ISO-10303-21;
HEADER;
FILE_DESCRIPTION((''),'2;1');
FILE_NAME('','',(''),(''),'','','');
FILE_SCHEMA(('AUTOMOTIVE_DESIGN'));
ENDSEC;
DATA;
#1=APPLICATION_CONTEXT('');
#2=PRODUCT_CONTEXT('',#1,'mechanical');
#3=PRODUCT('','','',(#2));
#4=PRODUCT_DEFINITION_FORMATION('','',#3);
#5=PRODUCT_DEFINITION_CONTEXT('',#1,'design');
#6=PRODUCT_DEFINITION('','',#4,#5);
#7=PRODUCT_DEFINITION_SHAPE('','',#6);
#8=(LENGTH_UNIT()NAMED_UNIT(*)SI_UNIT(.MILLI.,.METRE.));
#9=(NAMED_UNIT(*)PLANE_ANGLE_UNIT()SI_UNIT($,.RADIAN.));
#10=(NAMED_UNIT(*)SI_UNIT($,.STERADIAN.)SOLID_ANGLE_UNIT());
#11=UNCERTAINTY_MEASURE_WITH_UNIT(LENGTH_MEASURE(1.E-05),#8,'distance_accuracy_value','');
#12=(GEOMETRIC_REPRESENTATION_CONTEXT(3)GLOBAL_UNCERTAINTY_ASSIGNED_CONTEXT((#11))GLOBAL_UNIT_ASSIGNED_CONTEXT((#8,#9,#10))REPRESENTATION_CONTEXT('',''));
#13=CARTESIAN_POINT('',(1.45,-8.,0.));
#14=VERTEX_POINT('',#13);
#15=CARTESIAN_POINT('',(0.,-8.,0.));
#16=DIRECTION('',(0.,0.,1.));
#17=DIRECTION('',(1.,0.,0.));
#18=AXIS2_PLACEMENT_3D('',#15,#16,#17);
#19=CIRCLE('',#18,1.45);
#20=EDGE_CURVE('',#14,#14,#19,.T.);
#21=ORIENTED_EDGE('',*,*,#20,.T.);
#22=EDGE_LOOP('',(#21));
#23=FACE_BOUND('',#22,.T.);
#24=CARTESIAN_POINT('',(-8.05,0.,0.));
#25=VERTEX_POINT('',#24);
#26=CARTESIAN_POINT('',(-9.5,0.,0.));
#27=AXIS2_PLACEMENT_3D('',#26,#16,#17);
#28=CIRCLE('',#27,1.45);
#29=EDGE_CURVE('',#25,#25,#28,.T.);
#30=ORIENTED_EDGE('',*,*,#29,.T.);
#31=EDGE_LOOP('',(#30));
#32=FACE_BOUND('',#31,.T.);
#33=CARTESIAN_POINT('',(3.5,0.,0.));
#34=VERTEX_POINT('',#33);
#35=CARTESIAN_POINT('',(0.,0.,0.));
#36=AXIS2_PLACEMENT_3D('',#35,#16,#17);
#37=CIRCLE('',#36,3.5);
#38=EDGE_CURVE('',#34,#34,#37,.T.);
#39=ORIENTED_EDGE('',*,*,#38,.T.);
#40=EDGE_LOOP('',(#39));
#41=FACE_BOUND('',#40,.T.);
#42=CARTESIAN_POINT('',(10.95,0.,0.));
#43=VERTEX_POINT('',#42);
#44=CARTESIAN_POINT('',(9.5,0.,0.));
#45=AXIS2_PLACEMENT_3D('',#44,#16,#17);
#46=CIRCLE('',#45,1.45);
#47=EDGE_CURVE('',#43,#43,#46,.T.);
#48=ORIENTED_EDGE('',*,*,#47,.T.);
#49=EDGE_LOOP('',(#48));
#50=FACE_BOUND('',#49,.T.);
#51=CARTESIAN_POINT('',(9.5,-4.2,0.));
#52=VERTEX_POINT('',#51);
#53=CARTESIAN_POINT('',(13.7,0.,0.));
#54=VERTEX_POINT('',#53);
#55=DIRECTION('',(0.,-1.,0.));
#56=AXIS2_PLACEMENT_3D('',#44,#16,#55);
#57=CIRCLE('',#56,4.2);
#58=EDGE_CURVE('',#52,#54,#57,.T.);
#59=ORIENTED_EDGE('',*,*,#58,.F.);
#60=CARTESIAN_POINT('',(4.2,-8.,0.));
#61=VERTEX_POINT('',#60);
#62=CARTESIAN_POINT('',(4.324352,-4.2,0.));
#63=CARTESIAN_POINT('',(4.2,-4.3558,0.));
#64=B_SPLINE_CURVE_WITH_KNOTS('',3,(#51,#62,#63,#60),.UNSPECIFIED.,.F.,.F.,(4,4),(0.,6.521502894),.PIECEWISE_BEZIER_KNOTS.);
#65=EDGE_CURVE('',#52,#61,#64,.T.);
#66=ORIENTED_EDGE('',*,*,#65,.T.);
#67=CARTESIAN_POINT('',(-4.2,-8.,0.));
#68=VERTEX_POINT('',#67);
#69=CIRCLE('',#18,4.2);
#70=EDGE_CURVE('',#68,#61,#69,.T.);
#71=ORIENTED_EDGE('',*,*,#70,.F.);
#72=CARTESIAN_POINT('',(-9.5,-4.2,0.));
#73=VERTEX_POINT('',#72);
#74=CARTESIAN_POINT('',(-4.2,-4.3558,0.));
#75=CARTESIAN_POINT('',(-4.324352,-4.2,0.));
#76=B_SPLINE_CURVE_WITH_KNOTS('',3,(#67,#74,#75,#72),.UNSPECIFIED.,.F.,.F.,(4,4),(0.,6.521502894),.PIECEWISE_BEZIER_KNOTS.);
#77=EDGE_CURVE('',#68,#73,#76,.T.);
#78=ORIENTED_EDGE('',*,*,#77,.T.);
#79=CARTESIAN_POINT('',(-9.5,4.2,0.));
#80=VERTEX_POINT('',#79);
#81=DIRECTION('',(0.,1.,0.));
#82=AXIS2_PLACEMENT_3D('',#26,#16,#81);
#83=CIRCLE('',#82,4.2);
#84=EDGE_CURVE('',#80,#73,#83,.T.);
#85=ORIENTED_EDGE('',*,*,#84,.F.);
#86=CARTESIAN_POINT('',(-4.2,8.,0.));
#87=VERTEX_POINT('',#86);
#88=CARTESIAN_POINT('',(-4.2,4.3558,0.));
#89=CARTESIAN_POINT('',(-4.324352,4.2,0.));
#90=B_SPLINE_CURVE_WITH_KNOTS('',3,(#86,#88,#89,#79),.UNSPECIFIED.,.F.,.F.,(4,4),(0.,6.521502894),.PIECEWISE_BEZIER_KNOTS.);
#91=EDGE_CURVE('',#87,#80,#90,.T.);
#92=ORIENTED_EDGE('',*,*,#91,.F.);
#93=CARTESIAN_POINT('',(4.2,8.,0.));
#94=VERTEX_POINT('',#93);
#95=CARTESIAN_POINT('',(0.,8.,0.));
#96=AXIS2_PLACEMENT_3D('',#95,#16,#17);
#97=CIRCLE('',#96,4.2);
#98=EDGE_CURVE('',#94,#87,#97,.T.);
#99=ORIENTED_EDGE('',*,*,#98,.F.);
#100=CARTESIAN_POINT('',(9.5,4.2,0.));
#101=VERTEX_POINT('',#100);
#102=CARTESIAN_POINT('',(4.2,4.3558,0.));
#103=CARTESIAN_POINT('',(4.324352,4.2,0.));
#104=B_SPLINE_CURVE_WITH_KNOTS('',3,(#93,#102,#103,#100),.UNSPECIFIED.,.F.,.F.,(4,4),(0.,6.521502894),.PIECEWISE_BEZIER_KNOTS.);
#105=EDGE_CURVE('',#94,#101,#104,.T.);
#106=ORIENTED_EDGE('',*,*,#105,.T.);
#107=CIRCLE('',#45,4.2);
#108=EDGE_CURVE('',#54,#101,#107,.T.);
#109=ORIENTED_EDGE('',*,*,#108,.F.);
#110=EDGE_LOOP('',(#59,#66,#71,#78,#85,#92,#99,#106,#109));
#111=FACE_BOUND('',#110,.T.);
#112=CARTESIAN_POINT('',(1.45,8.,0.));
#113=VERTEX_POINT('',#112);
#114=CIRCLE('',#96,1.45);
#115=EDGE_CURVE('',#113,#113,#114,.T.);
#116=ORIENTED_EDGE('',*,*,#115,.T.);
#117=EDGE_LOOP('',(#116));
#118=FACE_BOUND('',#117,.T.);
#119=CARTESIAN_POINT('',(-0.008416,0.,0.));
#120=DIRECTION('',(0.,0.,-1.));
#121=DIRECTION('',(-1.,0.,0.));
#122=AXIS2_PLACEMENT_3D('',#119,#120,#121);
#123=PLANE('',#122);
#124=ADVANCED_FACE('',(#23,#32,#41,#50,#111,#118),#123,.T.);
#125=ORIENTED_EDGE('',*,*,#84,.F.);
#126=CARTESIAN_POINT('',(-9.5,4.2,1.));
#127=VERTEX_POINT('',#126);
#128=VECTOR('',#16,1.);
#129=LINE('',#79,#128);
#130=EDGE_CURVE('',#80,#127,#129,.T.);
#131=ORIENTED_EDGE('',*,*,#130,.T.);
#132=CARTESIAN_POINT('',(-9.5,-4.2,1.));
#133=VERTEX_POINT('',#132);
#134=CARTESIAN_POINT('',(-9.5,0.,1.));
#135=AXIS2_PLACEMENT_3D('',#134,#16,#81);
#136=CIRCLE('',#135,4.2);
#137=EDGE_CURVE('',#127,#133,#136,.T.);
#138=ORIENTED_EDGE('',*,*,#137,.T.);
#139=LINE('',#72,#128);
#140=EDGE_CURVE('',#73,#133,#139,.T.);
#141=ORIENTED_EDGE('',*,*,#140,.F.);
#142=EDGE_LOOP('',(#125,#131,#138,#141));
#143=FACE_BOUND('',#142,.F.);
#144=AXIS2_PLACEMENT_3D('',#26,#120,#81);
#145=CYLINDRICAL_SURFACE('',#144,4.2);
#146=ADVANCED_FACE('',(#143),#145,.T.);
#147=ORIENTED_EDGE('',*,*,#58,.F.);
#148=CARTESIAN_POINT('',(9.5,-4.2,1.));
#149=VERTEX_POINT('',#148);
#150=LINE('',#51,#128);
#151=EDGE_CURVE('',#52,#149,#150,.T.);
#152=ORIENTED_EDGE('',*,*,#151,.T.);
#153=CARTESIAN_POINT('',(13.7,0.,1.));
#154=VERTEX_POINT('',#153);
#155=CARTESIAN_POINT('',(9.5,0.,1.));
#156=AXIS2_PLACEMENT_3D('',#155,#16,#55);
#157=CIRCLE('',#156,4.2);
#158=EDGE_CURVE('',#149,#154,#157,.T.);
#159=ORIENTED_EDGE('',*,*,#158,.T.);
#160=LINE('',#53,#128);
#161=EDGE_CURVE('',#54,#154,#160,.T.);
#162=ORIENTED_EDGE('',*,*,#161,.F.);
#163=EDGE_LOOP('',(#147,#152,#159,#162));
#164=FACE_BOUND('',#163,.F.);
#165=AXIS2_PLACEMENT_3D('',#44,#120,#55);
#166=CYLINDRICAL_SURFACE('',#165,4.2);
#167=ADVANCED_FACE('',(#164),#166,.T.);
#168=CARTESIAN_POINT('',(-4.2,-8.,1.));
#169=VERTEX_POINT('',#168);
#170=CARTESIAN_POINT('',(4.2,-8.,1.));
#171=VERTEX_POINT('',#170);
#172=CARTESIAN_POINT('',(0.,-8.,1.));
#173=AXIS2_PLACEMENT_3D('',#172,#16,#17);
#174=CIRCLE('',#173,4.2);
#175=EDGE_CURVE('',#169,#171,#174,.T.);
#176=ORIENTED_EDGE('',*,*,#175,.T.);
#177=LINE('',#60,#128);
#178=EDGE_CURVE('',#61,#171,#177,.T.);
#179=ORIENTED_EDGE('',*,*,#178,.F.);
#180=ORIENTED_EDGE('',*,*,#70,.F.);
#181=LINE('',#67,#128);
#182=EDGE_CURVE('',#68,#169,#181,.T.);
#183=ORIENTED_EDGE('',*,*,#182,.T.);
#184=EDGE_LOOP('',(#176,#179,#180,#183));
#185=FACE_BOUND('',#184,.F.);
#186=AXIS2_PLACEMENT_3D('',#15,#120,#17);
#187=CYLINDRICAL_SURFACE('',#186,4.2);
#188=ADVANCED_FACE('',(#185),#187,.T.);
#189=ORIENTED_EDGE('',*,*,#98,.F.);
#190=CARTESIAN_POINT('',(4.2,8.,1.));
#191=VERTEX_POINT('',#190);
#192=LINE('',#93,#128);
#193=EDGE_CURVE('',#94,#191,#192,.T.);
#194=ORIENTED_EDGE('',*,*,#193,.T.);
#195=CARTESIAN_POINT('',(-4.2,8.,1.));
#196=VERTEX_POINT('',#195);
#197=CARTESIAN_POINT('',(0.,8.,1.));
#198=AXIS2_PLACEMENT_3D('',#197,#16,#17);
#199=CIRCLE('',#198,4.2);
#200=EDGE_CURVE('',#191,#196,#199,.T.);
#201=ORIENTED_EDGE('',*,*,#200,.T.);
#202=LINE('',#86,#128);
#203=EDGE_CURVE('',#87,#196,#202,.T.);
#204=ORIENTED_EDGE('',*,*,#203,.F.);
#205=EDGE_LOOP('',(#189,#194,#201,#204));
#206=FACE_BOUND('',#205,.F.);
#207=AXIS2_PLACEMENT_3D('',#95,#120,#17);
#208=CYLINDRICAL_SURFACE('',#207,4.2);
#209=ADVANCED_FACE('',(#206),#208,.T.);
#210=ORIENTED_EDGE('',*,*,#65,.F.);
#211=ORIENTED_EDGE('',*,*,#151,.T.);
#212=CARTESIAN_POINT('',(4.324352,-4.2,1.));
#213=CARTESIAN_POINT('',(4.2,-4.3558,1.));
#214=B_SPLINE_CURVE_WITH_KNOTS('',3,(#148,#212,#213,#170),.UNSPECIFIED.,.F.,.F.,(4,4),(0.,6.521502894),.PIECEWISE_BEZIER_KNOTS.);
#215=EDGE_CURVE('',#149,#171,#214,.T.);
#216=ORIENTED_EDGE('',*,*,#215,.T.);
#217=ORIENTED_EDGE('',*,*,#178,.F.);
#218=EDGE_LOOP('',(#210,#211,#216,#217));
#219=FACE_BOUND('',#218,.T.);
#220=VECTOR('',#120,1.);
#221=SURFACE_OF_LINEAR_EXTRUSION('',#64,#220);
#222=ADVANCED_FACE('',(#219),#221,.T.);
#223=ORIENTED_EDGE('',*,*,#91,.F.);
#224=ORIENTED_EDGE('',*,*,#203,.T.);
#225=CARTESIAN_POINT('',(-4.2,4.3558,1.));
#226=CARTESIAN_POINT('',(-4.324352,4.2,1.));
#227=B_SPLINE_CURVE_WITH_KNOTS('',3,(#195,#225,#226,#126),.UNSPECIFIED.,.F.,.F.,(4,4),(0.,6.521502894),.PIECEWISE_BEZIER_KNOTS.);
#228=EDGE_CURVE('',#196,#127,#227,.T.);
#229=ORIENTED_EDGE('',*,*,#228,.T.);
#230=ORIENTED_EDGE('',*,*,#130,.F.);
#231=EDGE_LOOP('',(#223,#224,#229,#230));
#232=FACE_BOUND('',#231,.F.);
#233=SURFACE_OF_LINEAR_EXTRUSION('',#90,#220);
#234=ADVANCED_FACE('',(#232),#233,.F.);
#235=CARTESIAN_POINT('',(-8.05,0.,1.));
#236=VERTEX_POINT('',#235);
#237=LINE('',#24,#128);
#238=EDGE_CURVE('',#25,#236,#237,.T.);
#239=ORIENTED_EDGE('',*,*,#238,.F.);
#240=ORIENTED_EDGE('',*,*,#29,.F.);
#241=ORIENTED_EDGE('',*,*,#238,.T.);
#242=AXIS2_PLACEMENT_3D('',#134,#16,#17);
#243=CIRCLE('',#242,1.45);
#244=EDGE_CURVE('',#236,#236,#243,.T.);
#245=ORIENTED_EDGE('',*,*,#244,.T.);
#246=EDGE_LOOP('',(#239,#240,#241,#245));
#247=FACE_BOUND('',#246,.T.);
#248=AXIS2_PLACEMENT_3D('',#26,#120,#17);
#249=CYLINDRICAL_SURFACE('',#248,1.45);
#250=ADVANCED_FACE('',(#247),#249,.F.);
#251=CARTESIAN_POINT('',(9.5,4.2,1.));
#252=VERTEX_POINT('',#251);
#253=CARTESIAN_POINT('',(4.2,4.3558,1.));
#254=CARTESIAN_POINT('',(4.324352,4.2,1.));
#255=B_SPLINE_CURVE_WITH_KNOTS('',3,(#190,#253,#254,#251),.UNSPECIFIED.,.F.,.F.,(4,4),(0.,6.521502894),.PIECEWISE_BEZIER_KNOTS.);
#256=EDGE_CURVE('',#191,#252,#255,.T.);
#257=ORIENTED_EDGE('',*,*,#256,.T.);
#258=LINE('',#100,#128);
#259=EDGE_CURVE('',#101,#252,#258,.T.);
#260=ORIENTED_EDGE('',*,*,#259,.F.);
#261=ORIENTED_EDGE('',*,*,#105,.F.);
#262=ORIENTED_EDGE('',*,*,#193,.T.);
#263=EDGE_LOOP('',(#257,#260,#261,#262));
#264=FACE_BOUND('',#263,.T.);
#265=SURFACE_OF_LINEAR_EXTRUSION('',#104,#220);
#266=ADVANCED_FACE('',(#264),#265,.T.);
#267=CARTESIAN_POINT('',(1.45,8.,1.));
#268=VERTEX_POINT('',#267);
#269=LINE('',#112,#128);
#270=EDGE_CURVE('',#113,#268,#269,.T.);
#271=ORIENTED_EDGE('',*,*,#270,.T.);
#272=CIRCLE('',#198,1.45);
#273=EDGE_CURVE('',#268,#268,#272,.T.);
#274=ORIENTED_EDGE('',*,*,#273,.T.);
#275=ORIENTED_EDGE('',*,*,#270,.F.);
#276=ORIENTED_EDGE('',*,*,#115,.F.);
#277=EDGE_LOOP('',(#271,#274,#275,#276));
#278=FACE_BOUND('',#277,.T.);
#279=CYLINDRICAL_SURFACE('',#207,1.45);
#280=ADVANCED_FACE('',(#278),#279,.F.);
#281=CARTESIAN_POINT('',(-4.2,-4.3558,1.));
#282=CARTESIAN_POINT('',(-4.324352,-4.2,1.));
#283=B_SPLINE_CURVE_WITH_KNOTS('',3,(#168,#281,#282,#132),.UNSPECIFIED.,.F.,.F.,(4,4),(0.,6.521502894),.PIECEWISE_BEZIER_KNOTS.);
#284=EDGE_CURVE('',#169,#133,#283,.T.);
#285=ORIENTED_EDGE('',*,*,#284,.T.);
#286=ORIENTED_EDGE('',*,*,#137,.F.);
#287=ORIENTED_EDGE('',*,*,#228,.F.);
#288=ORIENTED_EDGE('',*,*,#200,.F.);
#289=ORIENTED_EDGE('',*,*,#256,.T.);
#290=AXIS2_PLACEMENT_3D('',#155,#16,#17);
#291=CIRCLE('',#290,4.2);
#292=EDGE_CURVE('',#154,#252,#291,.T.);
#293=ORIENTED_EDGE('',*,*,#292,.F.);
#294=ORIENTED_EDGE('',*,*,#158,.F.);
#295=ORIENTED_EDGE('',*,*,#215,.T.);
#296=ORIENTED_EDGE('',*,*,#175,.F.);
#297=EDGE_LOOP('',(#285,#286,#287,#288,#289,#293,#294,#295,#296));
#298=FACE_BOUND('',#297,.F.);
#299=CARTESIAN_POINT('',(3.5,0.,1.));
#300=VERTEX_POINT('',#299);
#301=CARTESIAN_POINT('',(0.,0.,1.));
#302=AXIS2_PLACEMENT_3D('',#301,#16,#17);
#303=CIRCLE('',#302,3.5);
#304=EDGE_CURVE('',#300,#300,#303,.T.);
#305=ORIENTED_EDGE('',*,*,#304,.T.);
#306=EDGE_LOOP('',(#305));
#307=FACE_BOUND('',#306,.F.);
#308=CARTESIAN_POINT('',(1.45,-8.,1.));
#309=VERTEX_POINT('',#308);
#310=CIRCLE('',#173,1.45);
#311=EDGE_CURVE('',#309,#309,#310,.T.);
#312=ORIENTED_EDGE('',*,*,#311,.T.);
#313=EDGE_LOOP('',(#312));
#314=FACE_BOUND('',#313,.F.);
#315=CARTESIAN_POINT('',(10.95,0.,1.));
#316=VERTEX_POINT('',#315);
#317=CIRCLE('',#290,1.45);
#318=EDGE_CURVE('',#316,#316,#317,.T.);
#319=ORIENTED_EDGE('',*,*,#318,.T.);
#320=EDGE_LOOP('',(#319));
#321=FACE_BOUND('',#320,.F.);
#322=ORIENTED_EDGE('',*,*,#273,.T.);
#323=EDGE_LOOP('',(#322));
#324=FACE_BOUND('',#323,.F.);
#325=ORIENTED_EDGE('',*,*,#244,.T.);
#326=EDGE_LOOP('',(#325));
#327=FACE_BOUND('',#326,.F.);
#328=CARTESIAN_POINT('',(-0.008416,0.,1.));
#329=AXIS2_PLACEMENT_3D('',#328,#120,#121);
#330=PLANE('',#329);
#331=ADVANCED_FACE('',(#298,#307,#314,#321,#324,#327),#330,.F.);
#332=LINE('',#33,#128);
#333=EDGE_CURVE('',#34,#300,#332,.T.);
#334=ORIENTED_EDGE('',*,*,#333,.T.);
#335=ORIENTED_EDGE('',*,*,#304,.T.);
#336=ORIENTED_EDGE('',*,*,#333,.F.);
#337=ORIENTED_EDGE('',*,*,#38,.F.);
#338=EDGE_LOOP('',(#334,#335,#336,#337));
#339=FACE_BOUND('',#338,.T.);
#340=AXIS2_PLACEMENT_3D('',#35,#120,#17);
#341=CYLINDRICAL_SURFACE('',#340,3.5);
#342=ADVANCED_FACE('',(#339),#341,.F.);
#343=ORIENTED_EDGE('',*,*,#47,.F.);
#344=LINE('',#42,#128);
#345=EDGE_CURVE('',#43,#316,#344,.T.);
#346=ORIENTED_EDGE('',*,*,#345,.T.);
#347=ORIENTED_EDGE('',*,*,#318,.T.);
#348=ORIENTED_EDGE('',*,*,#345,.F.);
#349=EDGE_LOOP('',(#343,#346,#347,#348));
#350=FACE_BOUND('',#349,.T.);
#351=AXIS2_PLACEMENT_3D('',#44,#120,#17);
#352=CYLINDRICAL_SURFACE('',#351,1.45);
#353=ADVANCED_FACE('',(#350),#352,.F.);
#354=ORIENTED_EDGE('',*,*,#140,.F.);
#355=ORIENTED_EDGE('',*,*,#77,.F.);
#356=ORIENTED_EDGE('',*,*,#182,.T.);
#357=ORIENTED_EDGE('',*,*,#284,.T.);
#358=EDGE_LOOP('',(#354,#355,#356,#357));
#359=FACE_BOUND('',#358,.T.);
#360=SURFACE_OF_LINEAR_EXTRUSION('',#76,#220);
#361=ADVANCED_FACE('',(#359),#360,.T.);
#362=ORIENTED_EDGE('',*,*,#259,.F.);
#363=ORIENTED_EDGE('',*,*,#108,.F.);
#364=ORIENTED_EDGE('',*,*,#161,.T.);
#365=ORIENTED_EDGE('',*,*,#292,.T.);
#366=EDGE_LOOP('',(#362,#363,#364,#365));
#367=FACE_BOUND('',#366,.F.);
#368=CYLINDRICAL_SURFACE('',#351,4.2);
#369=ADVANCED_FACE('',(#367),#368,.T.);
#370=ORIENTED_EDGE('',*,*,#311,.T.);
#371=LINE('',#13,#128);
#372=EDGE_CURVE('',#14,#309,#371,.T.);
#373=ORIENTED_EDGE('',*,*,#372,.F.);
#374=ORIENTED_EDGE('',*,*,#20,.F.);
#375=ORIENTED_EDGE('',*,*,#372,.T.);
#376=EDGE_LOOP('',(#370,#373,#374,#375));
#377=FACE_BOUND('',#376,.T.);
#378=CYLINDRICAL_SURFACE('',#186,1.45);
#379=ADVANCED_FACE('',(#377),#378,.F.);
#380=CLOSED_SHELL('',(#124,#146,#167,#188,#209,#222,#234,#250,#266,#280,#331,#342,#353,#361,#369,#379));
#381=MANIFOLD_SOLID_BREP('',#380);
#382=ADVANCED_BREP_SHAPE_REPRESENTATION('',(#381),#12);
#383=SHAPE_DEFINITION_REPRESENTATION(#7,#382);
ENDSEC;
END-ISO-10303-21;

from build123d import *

# Parameters (mm, degrees)
F1_R     = 3.5
F1_R_2   = 3
F1_R_3   = 1.45
F2_DEPTH = 1


with BuildPart() as f2:
    # F1 (on Top) → F2 (new body)
    with BuildSketch(Plane.XY):
        with BuildLine():
            add(Edge.make_bspline(
                [(4.2, 8), (4.2, 4.3558003341), (4.3243523603, 4.2), (9.5, 4.2)],
                knots=[0, 0, 0, 0, 6.5215028943, 6.5215028943, 6.5215028943, 6.5215028943], degree=3))
            ThreePointArc((4.2, 8), (0, 3.8), (-4.2, 8))
            add(Edge.make_bspline(
                [(-4.2, 8), (-4.2, 4.3558003341), (-4.3243523603, 4.2), (-9.5, 4.2)],
                knots=[0, 0, 0, 0, 6.5215028943, 6.5215028943, 6.5215028943, 6.5215028943], degree=3))
            ThreePointArc((-9.5, 4.2), (-6.530151519, 2.969848481), (-5.3, 0))
            ThreePointArc((-5.3, 0), (-6.530151519, -2.969848481), (-9.5, -4.2))
            add(Edge.make_bspline(
                [(-4.2, -8), (-4.2, -4.3558003341), (-4.3243523603, -4.2), (-9.5, -4.2)],
                knots=[0, 0, 0, 0, 6.5215028943, 6.5215028943, 6.5215028943, 6.5215028943], degree=3))
            ThreePointArc((-4.2, -8), (0, -3.8), (4.2, -8))
            add(Edge.make_bspline(
                [(9.5, -4.2), (4.3243523603, -4.2), (4.2, -4.3558003341), (4.2, -8)],
                knots=[0, 0, 0, 0, 6.5215028943, 6.5215028943, 6.5215028943, 6.5215028943], degree=3))
            ThreePointArc((9.5, -4.2), (5.3, 0), (9.5, 4.2))
        make_face()
        Circle(F1_R, mode=Mode.SUBTRACT)
        with BuildLine():
            ThreePointArc((-5.3, 0), (-6.530151519, 2.969848481), (-9.5, 4.2))
            ThreePointArc((-9.5, 4.2), (-13.7, 0), (-9.5, -4.2))
            ThreePointArc((-9.5, -4.2), (-6.530151519, -2.969848481), (-5.3, 0))
        make_face()
        with Locations((-9.5, 0)):
            Circle(F1_R_2, mode=Mode.SUBTRACT)
        with BuildLine():
            ThreePointArc((-4.2, -8), (0, -12.2), (4.2, -8))
            ThreePointArc((4.2, -8), (0, -3.8), (-4.2, -8))
        make_face()
        with Locations((0, -8)):
            Circle(F1_R_2, mode=Mode.SUBTRACT)
        with BuildLine():
            ThreePointArc((13.7, 0), (12.469848481, 2.969848481), (9.5, 4.2))
            ThreePointArc((9.5, 4.2), (5.3, 0), (9.5, -4.2))
            ThreePointArc((9.5, -4.2), (12.469848481, -2.969848481), (13.7, 0))
        make_face()
        with Locations((9.5, 0)):
            Circle(F1_R_2, mode=Mode.SUBTRACT)
        with BuildLine():
            ThreePointArc((-4.2, 8), (0, 3.8), (4.2, 8))
            ThreePointArc((4.2, 8), (0, 12.2), (-4.2, 8))
        make_face()
        with Locations((0, 8)):
            Circle(F1_R_2, mode=Mode.SUBTRACT)
        with Locations((0, 8)):
            Circle(F1_R_2)
        with Locations((0, 8)):
            Circle(F1_R_3, mode=Mode.SUBTRACT)
        with Locations((-9.5, 0)):
            Circle(F1_R_2)
        with Locations((-9.5, 0)):
            Circle(F1_R_3, mode=Mode.SUBTRACT)
        with Locations((0, -8)):
            Circle(F1_R_2)
        with Locations((0, -8)):
            Circle(F1_R_3, mode=Mode.SUBTRACT)
        with Locations((9.5, 0)):
            Circle(F1_R_2)
        with Locations((9.5, 0)):
            Circle(F1_R_3, mode=Mode.SUBTRACT)
    extrude(amount=F2_DEPTH)


solid = f2.part
